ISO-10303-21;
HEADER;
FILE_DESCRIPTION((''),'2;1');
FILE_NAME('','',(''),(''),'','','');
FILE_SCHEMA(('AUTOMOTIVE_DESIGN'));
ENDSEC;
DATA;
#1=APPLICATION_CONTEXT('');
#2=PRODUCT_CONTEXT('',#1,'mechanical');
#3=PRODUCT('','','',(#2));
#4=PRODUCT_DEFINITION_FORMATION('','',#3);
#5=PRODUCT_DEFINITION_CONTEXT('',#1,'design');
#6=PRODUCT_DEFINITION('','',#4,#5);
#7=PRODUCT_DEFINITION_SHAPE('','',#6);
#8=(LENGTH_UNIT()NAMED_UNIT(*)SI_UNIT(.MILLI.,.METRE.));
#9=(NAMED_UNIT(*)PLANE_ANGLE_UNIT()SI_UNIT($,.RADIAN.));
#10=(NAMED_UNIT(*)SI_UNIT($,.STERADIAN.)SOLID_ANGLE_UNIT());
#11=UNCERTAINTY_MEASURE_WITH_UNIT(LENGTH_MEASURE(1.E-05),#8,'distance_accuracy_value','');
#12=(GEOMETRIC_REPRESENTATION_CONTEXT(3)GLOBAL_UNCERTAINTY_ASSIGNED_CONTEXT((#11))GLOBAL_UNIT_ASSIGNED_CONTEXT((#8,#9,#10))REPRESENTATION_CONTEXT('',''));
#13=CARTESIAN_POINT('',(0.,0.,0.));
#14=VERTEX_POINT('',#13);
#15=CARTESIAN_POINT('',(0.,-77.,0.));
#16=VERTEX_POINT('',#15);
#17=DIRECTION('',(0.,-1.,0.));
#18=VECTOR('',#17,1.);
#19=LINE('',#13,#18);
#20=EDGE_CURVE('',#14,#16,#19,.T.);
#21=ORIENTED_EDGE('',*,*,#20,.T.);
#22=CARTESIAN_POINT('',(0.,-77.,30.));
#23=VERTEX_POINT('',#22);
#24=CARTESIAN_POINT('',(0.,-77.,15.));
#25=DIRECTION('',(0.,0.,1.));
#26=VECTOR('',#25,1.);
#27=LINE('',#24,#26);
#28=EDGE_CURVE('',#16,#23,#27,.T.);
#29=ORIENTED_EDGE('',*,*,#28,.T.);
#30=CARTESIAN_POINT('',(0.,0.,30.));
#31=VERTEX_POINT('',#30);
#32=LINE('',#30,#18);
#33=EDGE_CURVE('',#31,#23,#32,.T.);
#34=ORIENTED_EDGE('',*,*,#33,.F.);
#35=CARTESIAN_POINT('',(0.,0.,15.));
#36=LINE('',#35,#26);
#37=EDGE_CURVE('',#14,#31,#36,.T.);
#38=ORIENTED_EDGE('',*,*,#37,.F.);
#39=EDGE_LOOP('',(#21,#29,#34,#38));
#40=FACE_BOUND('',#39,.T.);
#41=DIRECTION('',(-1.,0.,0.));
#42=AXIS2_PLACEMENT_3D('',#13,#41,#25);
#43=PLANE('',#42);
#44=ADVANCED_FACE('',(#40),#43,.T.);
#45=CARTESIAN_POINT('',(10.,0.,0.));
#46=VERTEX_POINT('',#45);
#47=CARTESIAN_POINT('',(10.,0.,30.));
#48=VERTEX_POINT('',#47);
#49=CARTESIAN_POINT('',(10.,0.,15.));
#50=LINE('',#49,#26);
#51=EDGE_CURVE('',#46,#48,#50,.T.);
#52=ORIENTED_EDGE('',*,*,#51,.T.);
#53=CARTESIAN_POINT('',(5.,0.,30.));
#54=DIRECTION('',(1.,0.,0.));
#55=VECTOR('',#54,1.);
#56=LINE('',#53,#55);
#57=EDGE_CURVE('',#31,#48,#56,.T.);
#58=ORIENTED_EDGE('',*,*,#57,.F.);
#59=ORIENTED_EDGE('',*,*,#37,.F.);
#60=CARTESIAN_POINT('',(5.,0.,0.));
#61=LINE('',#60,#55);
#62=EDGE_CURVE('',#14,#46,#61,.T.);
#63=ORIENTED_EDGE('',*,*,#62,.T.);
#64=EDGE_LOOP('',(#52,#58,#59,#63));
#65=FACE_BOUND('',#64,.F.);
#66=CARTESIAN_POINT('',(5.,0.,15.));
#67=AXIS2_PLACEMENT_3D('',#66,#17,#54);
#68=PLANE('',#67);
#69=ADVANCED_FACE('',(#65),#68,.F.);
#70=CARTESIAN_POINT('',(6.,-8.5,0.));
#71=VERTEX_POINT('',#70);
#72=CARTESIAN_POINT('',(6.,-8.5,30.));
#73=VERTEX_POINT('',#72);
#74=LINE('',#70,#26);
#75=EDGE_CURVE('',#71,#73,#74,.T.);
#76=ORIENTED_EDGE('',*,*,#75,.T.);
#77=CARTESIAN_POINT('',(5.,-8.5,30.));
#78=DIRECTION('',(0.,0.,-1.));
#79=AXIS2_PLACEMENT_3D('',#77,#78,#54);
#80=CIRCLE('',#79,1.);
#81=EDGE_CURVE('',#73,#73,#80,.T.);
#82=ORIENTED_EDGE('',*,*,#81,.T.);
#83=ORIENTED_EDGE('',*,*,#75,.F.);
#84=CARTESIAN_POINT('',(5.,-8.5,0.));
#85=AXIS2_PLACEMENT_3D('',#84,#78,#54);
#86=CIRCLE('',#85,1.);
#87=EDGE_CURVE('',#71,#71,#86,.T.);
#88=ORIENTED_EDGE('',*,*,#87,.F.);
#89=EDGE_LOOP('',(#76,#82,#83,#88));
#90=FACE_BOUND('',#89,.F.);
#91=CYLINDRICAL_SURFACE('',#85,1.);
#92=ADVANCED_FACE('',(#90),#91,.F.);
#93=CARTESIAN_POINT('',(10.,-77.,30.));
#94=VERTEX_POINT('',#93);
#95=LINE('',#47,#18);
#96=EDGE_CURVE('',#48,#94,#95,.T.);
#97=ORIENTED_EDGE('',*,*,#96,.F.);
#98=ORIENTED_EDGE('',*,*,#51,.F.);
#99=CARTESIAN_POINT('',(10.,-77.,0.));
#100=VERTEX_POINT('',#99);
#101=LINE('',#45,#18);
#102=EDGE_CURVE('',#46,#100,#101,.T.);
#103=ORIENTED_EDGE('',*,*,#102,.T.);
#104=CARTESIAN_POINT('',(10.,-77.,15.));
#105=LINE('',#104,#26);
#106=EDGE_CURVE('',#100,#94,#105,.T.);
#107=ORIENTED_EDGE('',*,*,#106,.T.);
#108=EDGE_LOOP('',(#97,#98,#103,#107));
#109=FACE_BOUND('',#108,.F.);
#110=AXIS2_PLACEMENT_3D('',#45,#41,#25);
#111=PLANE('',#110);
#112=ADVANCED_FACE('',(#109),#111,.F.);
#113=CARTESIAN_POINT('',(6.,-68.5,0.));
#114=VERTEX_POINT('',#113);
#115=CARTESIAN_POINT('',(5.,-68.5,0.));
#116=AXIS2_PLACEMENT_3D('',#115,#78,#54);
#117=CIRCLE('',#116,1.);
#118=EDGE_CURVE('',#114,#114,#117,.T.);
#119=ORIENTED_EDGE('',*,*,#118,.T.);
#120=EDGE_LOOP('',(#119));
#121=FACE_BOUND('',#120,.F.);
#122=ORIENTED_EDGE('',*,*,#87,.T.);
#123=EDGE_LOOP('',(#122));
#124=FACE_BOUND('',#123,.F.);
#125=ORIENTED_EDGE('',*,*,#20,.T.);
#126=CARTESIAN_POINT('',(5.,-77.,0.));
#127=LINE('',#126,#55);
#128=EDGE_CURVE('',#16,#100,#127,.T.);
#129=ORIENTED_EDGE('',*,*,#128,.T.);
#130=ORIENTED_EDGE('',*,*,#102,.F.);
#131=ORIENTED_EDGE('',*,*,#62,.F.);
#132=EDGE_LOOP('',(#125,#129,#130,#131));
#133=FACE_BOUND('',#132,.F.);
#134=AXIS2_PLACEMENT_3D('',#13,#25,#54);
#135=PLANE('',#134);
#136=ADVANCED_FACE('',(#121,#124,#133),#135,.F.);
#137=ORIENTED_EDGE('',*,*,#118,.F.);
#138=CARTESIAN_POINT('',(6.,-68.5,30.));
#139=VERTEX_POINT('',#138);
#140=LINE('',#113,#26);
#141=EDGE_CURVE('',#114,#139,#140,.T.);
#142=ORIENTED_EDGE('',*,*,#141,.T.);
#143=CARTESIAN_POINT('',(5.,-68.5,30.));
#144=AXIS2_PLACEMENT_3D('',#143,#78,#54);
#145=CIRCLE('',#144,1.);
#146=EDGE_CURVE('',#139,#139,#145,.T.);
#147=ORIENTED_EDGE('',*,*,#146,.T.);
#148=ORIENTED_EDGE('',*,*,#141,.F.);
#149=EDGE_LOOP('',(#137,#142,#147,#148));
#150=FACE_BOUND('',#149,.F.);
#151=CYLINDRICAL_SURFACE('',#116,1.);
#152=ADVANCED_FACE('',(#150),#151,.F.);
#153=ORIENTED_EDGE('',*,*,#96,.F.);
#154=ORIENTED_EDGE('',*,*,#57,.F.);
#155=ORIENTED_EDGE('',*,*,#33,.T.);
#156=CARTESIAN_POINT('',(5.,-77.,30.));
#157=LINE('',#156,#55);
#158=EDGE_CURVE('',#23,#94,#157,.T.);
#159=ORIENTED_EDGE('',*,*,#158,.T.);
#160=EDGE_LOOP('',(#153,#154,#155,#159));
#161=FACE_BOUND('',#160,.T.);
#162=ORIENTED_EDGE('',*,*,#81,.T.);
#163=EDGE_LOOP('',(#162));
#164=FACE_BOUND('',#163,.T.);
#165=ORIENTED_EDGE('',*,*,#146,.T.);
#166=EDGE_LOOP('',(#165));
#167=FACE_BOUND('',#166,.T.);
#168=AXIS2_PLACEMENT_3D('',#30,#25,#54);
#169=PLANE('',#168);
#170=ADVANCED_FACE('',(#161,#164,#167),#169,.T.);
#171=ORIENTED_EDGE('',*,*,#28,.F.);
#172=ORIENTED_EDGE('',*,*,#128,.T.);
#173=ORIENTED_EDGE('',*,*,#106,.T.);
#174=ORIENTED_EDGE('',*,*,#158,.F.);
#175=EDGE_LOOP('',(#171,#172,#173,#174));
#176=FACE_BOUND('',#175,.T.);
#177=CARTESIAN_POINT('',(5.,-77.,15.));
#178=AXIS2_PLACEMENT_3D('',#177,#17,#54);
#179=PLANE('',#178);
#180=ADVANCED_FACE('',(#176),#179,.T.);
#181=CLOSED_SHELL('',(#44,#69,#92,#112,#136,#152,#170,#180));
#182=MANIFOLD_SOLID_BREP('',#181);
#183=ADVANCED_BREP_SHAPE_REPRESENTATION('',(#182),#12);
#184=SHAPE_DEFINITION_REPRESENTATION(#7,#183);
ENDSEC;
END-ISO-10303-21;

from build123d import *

# Parameters (mm, degrees)
F0_W     = 10
F0_H     = 30
F1_DEPTH = 77
F2_R     = 1
F3_DEPTH = 30.001


with BuildPart() as f1:
    # F0 (on Front) → F1 (new body)
    with BuildSketch(Plane.XZ):
        with Locations((5, 15)):
            Rectangle(F0_W, F0_H)
    extrude(amount=F1_DEPTH)

    # F2 (on face) → F3 (cut, through all)
    with BuildSketch(Plane(origin=(0, 0, 0), x_dir=(1, 0, 0), z_dir=(0, 0, -1))):
        with Locations((5, 68.5)):
            Circle(F2_R)
        with Locations((5, 8.5)):
            Circle(F2_R)
    extrude(amount=-F3_DEPTH, mode=Mode.SUBTRACT)


solid = f1.part
